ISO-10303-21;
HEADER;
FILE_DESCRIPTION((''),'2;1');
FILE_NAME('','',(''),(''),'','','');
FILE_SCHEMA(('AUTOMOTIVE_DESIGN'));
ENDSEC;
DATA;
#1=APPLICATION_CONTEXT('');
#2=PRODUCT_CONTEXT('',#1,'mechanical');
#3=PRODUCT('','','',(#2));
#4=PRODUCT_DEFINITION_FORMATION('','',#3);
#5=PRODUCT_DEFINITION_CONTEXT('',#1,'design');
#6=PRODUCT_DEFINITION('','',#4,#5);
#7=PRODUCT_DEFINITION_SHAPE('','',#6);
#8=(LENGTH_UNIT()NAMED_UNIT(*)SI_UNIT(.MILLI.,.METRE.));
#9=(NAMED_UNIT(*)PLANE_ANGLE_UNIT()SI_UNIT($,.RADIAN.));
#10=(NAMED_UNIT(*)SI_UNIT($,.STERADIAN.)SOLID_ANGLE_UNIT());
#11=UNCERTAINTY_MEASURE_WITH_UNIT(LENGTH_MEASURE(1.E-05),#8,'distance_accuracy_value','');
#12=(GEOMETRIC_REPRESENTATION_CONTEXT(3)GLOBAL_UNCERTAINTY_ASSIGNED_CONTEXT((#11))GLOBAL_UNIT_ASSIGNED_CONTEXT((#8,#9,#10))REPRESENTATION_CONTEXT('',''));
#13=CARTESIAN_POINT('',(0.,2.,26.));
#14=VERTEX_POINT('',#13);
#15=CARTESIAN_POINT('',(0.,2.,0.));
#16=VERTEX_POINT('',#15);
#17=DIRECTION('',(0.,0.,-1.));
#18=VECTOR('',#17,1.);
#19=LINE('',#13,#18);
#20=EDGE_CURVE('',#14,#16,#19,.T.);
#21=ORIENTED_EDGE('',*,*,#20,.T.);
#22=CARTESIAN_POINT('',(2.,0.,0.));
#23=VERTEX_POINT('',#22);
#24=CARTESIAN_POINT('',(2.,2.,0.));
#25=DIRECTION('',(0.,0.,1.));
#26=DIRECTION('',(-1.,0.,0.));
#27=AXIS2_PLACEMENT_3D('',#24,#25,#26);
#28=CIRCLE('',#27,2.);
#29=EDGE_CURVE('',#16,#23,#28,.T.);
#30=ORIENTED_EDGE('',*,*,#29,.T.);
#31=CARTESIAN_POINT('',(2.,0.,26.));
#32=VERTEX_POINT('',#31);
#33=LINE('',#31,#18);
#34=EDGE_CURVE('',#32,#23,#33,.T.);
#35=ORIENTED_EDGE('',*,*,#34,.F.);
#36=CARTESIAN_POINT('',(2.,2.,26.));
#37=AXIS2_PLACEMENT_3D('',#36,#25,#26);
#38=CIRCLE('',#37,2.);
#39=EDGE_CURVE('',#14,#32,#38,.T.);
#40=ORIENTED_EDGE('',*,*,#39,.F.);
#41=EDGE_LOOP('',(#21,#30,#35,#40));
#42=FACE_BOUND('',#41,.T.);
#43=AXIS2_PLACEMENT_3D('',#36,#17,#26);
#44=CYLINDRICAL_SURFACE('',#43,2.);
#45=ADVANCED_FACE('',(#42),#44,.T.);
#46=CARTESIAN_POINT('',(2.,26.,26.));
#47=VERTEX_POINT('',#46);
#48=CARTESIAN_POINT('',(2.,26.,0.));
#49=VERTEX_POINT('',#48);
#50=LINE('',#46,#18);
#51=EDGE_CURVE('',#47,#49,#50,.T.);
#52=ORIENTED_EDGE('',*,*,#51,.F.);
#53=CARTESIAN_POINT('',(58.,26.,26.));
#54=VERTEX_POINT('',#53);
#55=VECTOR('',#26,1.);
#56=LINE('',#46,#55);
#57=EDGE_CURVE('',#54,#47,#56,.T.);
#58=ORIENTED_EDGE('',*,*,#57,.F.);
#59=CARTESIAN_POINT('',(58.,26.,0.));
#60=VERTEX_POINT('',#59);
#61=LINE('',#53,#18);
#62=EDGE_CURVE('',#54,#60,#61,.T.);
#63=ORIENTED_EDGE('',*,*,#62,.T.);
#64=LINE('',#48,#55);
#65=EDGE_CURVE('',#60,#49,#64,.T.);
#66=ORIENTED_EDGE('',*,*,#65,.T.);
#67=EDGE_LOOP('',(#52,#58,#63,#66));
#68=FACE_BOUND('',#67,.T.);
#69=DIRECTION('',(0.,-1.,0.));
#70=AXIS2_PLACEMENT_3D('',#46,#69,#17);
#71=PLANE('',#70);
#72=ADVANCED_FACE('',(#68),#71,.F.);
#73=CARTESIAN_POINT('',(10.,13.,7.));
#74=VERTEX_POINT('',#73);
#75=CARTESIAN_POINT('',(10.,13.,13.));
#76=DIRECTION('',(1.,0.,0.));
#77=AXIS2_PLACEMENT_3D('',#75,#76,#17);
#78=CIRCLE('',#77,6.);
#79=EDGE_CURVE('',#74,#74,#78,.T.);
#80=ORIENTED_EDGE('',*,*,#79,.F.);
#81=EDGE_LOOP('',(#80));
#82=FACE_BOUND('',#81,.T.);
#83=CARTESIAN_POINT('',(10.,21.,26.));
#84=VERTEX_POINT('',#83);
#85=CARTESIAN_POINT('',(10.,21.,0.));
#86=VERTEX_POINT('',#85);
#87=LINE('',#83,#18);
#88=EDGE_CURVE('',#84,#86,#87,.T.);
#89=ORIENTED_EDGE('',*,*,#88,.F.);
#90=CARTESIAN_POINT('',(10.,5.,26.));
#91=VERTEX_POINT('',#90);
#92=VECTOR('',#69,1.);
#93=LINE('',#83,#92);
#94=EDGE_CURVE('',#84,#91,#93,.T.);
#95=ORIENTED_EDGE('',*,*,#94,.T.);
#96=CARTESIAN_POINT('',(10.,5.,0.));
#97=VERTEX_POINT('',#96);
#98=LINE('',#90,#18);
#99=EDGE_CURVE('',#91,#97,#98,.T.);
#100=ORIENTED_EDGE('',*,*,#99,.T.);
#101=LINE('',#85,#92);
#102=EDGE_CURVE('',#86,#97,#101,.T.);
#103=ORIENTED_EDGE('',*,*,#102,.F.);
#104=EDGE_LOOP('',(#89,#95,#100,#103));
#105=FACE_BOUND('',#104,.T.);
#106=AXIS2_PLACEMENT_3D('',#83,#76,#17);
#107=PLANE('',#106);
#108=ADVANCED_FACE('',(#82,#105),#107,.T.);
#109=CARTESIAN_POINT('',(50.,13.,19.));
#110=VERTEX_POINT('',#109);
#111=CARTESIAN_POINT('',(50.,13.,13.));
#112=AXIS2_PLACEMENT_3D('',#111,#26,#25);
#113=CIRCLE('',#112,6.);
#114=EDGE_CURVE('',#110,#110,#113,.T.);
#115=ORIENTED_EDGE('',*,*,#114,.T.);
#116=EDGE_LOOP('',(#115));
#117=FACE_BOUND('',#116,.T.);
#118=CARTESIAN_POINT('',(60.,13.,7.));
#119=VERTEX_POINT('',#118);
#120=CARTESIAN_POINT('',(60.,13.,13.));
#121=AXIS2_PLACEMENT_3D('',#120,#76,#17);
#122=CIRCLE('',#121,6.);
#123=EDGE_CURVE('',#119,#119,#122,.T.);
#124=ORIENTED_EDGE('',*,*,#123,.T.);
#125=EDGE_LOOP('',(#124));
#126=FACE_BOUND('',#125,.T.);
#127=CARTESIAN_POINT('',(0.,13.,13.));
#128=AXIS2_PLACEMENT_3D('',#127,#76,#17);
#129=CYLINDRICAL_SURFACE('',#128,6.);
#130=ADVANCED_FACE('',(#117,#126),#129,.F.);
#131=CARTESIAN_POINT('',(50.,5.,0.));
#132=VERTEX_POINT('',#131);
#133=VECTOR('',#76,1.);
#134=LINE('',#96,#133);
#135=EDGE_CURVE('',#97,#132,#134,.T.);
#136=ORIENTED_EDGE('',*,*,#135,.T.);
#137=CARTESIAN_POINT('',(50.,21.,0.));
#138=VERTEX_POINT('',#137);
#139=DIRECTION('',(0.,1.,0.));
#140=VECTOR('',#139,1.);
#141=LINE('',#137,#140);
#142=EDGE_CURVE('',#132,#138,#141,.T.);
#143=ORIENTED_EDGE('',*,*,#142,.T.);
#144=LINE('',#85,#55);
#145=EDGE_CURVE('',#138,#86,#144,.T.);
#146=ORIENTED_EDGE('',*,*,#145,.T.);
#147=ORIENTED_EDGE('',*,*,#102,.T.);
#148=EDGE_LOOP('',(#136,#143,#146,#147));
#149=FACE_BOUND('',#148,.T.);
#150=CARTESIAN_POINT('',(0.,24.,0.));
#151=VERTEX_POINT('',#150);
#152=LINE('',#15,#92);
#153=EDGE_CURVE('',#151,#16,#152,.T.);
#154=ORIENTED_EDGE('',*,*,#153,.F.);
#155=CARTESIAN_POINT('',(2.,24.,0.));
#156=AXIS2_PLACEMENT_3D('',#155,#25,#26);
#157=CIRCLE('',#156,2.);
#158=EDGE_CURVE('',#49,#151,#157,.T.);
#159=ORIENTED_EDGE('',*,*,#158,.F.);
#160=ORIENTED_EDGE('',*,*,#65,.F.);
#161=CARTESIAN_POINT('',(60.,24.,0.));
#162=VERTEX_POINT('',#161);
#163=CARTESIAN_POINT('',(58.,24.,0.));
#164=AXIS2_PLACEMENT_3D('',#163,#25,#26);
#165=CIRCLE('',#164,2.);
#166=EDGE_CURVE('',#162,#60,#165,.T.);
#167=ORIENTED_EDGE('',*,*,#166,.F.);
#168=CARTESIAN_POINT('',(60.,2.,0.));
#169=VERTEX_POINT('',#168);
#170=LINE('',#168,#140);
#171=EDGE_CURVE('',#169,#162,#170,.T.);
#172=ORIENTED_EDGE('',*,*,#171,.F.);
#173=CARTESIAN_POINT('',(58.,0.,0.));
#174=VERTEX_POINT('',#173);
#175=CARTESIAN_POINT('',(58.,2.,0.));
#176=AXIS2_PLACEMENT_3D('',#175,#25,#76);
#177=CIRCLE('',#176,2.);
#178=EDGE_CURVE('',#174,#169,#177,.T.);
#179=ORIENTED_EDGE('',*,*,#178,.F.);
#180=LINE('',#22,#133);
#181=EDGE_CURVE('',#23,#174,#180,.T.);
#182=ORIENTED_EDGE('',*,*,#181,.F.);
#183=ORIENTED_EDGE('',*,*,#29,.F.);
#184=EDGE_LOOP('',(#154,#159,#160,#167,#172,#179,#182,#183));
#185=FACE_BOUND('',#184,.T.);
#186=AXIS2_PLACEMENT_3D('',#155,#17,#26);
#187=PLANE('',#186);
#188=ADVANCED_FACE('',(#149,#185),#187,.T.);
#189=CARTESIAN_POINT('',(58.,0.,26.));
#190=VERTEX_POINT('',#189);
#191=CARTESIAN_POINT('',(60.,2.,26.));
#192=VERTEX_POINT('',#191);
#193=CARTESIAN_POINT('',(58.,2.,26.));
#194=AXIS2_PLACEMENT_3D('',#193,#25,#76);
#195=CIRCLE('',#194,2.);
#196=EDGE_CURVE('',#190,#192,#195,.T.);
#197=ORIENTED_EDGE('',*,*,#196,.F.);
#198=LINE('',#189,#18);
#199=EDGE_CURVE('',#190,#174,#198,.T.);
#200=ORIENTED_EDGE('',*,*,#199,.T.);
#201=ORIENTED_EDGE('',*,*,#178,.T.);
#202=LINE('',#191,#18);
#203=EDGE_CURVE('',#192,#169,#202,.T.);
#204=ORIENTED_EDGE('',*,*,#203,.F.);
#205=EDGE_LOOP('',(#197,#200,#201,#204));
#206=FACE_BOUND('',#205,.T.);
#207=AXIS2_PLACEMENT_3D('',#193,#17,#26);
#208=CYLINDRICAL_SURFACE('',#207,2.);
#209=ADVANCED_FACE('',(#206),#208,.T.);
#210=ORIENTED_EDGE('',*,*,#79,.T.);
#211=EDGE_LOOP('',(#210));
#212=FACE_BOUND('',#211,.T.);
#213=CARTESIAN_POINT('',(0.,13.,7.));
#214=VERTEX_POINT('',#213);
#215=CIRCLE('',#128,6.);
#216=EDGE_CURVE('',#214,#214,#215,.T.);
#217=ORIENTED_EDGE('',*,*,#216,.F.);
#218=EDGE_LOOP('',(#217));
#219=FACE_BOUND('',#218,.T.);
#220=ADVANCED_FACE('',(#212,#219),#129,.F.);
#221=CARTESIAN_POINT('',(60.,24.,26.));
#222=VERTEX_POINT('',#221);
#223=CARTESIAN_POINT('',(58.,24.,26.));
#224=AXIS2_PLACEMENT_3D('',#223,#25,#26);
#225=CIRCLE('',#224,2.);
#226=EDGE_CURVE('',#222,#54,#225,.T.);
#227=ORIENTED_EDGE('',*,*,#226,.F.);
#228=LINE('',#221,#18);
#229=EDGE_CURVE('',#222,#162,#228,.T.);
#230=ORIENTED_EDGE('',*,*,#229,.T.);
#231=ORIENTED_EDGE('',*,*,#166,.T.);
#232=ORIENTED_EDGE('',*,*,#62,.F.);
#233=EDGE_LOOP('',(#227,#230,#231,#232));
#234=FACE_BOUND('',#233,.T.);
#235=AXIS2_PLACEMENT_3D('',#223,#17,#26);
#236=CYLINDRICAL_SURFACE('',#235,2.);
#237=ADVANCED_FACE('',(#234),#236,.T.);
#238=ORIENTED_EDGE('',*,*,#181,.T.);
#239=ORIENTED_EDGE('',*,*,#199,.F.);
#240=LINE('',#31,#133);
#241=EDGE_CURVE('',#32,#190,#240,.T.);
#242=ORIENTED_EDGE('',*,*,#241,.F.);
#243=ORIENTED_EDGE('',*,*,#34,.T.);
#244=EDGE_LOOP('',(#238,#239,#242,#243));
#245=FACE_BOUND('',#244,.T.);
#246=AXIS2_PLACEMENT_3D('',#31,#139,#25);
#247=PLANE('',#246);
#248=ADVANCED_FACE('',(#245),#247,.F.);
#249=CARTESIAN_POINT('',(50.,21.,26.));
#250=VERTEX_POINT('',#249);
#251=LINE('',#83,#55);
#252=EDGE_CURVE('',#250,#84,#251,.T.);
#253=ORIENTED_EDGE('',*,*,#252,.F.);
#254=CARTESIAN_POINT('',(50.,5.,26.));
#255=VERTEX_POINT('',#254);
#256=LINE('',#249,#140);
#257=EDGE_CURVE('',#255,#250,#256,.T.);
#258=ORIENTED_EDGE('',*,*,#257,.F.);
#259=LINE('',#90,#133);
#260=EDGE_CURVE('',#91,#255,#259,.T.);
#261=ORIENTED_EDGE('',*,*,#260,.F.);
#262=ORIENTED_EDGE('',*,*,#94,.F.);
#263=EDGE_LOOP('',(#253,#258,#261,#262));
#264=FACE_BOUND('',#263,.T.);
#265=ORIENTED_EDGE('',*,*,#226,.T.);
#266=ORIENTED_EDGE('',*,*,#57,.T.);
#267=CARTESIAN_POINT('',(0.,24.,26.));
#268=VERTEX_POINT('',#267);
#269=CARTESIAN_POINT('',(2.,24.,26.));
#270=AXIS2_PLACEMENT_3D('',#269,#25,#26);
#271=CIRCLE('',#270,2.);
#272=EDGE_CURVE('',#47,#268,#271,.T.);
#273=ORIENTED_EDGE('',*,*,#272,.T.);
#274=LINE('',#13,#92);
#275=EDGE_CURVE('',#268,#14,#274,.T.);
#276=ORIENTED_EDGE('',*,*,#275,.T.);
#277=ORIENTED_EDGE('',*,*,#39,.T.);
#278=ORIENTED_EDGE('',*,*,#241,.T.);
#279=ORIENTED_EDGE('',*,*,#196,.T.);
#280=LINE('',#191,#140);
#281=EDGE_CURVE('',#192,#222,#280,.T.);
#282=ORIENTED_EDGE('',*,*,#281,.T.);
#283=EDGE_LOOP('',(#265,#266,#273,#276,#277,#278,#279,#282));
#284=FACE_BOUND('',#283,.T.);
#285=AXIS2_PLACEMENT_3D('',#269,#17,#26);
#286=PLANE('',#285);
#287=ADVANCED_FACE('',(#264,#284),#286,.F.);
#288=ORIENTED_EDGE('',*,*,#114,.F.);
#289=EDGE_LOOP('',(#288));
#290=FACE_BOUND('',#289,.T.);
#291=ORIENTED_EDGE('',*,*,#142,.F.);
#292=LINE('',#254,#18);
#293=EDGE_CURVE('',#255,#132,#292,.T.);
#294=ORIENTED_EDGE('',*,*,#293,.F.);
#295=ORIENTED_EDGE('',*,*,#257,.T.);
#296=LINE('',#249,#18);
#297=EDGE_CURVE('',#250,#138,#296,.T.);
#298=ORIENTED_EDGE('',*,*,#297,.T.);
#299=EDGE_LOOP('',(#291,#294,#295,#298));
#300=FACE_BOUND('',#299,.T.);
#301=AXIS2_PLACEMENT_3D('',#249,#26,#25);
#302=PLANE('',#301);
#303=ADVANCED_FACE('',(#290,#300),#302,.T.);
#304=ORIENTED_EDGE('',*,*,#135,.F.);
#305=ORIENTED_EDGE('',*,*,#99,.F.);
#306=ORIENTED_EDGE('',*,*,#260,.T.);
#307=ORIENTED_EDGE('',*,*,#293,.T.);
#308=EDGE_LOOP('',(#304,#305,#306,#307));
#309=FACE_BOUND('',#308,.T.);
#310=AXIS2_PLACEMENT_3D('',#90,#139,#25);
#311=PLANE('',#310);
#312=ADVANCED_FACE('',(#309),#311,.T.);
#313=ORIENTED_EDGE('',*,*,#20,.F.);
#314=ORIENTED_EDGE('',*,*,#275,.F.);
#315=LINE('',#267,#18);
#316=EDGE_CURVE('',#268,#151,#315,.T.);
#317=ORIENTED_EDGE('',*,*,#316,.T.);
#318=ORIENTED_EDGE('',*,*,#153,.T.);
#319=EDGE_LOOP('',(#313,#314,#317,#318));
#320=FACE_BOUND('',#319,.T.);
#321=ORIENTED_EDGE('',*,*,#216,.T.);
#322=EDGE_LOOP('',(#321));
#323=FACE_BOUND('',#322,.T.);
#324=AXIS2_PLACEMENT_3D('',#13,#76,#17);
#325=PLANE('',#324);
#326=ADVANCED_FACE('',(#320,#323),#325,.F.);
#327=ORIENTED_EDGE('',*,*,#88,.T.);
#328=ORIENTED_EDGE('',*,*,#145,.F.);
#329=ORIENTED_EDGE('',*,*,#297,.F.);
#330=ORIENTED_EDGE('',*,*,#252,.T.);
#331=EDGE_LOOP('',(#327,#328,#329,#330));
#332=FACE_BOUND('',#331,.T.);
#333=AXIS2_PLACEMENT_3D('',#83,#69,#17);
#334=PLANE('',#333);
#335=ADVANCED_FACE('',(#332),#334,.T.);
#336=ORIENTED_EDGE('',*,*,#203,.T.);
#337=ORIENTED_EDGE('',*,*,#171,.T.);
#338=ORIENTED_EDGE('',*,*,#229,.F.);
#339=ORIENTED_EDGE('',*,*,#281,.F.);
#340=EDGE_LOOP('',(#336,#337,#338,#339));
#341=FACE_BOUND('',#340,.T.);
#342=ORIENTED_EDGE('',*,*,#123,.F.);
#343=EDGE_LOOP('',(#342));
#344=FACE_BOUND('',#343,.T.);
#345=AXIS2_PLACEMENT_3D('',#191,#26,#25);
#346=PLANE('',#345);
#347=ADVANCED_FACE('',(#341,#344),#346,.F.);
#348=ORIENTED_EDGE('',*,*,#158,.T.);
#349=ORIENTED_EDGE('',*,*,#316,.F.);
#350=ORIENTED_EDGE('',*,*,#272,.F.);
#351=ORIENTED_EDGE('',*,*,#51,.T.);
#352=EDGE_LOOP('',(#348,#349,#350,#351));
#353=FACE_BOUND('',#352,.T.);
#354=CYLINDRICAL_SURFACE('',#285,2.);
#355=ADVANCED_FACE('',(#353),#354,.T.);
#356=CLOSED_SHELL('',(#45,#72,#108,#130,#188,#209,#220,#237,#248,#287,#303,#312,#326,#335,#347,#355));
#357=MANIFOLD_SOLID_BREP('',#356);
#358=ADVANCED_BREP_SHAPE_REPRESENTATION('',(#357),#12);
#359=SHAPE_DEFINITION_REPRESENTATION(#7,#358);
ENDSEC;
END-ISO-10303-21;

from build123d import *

# Parameters (mm, degrees)
SKETCH1_W           = 40
SKETCH1_H           = 16
BOSS_EXTRUDE1_DEPTH = 26
SKETCH6_R           = 6
CUT_EXTRUDE1_DEPTH  = 61


with BuildPart() as part:
    # Sketch1 → Boss-Extrude1 (new body)
    with BuildSketch(Plane.XY):
        with BuildLine():
            Line((2, 0), (58, 0))
            ThreePointArc((58, 0), (59.414213562, 0.585786438), (60, 2))
            Line((60, 2), (60, 24))
            ThreePointArc((60, 24), (59.414213562, 25.414213562), (58, 26))
            Line((58, 26), (2, 26))
            ThreePointArc((2, 26), (0.585786438, 25.414213562), (0, 24))
            Line((0, 24), (0, 2))
            ThreePointArc((0, 2), (0.585786438, 0.585786438), (2, 0))
        make_face()
        with Locations((30, 13)):
            Rectangle(SKETCH1_W, SKETCH1_H, mode=Mode.SUBTRACT)
    extrude(amount=BOSS_EXTRUDE1_DEPTH)

    # Sketch6 → Cut-Extrude1 (cut, through all)
    with BuildSketch(Plane(origin=(60, 0, 0), x_dir=(0, 0, -1), z_dir=(1, 0, 0))):
        with Locations((-13, 13)):
            Circle(SKETCH6_R)
    extrude(amount=-CUT_EXTRUDE1_DEPTH, mode=Mode.SUBTRACT)


solid = part.part
